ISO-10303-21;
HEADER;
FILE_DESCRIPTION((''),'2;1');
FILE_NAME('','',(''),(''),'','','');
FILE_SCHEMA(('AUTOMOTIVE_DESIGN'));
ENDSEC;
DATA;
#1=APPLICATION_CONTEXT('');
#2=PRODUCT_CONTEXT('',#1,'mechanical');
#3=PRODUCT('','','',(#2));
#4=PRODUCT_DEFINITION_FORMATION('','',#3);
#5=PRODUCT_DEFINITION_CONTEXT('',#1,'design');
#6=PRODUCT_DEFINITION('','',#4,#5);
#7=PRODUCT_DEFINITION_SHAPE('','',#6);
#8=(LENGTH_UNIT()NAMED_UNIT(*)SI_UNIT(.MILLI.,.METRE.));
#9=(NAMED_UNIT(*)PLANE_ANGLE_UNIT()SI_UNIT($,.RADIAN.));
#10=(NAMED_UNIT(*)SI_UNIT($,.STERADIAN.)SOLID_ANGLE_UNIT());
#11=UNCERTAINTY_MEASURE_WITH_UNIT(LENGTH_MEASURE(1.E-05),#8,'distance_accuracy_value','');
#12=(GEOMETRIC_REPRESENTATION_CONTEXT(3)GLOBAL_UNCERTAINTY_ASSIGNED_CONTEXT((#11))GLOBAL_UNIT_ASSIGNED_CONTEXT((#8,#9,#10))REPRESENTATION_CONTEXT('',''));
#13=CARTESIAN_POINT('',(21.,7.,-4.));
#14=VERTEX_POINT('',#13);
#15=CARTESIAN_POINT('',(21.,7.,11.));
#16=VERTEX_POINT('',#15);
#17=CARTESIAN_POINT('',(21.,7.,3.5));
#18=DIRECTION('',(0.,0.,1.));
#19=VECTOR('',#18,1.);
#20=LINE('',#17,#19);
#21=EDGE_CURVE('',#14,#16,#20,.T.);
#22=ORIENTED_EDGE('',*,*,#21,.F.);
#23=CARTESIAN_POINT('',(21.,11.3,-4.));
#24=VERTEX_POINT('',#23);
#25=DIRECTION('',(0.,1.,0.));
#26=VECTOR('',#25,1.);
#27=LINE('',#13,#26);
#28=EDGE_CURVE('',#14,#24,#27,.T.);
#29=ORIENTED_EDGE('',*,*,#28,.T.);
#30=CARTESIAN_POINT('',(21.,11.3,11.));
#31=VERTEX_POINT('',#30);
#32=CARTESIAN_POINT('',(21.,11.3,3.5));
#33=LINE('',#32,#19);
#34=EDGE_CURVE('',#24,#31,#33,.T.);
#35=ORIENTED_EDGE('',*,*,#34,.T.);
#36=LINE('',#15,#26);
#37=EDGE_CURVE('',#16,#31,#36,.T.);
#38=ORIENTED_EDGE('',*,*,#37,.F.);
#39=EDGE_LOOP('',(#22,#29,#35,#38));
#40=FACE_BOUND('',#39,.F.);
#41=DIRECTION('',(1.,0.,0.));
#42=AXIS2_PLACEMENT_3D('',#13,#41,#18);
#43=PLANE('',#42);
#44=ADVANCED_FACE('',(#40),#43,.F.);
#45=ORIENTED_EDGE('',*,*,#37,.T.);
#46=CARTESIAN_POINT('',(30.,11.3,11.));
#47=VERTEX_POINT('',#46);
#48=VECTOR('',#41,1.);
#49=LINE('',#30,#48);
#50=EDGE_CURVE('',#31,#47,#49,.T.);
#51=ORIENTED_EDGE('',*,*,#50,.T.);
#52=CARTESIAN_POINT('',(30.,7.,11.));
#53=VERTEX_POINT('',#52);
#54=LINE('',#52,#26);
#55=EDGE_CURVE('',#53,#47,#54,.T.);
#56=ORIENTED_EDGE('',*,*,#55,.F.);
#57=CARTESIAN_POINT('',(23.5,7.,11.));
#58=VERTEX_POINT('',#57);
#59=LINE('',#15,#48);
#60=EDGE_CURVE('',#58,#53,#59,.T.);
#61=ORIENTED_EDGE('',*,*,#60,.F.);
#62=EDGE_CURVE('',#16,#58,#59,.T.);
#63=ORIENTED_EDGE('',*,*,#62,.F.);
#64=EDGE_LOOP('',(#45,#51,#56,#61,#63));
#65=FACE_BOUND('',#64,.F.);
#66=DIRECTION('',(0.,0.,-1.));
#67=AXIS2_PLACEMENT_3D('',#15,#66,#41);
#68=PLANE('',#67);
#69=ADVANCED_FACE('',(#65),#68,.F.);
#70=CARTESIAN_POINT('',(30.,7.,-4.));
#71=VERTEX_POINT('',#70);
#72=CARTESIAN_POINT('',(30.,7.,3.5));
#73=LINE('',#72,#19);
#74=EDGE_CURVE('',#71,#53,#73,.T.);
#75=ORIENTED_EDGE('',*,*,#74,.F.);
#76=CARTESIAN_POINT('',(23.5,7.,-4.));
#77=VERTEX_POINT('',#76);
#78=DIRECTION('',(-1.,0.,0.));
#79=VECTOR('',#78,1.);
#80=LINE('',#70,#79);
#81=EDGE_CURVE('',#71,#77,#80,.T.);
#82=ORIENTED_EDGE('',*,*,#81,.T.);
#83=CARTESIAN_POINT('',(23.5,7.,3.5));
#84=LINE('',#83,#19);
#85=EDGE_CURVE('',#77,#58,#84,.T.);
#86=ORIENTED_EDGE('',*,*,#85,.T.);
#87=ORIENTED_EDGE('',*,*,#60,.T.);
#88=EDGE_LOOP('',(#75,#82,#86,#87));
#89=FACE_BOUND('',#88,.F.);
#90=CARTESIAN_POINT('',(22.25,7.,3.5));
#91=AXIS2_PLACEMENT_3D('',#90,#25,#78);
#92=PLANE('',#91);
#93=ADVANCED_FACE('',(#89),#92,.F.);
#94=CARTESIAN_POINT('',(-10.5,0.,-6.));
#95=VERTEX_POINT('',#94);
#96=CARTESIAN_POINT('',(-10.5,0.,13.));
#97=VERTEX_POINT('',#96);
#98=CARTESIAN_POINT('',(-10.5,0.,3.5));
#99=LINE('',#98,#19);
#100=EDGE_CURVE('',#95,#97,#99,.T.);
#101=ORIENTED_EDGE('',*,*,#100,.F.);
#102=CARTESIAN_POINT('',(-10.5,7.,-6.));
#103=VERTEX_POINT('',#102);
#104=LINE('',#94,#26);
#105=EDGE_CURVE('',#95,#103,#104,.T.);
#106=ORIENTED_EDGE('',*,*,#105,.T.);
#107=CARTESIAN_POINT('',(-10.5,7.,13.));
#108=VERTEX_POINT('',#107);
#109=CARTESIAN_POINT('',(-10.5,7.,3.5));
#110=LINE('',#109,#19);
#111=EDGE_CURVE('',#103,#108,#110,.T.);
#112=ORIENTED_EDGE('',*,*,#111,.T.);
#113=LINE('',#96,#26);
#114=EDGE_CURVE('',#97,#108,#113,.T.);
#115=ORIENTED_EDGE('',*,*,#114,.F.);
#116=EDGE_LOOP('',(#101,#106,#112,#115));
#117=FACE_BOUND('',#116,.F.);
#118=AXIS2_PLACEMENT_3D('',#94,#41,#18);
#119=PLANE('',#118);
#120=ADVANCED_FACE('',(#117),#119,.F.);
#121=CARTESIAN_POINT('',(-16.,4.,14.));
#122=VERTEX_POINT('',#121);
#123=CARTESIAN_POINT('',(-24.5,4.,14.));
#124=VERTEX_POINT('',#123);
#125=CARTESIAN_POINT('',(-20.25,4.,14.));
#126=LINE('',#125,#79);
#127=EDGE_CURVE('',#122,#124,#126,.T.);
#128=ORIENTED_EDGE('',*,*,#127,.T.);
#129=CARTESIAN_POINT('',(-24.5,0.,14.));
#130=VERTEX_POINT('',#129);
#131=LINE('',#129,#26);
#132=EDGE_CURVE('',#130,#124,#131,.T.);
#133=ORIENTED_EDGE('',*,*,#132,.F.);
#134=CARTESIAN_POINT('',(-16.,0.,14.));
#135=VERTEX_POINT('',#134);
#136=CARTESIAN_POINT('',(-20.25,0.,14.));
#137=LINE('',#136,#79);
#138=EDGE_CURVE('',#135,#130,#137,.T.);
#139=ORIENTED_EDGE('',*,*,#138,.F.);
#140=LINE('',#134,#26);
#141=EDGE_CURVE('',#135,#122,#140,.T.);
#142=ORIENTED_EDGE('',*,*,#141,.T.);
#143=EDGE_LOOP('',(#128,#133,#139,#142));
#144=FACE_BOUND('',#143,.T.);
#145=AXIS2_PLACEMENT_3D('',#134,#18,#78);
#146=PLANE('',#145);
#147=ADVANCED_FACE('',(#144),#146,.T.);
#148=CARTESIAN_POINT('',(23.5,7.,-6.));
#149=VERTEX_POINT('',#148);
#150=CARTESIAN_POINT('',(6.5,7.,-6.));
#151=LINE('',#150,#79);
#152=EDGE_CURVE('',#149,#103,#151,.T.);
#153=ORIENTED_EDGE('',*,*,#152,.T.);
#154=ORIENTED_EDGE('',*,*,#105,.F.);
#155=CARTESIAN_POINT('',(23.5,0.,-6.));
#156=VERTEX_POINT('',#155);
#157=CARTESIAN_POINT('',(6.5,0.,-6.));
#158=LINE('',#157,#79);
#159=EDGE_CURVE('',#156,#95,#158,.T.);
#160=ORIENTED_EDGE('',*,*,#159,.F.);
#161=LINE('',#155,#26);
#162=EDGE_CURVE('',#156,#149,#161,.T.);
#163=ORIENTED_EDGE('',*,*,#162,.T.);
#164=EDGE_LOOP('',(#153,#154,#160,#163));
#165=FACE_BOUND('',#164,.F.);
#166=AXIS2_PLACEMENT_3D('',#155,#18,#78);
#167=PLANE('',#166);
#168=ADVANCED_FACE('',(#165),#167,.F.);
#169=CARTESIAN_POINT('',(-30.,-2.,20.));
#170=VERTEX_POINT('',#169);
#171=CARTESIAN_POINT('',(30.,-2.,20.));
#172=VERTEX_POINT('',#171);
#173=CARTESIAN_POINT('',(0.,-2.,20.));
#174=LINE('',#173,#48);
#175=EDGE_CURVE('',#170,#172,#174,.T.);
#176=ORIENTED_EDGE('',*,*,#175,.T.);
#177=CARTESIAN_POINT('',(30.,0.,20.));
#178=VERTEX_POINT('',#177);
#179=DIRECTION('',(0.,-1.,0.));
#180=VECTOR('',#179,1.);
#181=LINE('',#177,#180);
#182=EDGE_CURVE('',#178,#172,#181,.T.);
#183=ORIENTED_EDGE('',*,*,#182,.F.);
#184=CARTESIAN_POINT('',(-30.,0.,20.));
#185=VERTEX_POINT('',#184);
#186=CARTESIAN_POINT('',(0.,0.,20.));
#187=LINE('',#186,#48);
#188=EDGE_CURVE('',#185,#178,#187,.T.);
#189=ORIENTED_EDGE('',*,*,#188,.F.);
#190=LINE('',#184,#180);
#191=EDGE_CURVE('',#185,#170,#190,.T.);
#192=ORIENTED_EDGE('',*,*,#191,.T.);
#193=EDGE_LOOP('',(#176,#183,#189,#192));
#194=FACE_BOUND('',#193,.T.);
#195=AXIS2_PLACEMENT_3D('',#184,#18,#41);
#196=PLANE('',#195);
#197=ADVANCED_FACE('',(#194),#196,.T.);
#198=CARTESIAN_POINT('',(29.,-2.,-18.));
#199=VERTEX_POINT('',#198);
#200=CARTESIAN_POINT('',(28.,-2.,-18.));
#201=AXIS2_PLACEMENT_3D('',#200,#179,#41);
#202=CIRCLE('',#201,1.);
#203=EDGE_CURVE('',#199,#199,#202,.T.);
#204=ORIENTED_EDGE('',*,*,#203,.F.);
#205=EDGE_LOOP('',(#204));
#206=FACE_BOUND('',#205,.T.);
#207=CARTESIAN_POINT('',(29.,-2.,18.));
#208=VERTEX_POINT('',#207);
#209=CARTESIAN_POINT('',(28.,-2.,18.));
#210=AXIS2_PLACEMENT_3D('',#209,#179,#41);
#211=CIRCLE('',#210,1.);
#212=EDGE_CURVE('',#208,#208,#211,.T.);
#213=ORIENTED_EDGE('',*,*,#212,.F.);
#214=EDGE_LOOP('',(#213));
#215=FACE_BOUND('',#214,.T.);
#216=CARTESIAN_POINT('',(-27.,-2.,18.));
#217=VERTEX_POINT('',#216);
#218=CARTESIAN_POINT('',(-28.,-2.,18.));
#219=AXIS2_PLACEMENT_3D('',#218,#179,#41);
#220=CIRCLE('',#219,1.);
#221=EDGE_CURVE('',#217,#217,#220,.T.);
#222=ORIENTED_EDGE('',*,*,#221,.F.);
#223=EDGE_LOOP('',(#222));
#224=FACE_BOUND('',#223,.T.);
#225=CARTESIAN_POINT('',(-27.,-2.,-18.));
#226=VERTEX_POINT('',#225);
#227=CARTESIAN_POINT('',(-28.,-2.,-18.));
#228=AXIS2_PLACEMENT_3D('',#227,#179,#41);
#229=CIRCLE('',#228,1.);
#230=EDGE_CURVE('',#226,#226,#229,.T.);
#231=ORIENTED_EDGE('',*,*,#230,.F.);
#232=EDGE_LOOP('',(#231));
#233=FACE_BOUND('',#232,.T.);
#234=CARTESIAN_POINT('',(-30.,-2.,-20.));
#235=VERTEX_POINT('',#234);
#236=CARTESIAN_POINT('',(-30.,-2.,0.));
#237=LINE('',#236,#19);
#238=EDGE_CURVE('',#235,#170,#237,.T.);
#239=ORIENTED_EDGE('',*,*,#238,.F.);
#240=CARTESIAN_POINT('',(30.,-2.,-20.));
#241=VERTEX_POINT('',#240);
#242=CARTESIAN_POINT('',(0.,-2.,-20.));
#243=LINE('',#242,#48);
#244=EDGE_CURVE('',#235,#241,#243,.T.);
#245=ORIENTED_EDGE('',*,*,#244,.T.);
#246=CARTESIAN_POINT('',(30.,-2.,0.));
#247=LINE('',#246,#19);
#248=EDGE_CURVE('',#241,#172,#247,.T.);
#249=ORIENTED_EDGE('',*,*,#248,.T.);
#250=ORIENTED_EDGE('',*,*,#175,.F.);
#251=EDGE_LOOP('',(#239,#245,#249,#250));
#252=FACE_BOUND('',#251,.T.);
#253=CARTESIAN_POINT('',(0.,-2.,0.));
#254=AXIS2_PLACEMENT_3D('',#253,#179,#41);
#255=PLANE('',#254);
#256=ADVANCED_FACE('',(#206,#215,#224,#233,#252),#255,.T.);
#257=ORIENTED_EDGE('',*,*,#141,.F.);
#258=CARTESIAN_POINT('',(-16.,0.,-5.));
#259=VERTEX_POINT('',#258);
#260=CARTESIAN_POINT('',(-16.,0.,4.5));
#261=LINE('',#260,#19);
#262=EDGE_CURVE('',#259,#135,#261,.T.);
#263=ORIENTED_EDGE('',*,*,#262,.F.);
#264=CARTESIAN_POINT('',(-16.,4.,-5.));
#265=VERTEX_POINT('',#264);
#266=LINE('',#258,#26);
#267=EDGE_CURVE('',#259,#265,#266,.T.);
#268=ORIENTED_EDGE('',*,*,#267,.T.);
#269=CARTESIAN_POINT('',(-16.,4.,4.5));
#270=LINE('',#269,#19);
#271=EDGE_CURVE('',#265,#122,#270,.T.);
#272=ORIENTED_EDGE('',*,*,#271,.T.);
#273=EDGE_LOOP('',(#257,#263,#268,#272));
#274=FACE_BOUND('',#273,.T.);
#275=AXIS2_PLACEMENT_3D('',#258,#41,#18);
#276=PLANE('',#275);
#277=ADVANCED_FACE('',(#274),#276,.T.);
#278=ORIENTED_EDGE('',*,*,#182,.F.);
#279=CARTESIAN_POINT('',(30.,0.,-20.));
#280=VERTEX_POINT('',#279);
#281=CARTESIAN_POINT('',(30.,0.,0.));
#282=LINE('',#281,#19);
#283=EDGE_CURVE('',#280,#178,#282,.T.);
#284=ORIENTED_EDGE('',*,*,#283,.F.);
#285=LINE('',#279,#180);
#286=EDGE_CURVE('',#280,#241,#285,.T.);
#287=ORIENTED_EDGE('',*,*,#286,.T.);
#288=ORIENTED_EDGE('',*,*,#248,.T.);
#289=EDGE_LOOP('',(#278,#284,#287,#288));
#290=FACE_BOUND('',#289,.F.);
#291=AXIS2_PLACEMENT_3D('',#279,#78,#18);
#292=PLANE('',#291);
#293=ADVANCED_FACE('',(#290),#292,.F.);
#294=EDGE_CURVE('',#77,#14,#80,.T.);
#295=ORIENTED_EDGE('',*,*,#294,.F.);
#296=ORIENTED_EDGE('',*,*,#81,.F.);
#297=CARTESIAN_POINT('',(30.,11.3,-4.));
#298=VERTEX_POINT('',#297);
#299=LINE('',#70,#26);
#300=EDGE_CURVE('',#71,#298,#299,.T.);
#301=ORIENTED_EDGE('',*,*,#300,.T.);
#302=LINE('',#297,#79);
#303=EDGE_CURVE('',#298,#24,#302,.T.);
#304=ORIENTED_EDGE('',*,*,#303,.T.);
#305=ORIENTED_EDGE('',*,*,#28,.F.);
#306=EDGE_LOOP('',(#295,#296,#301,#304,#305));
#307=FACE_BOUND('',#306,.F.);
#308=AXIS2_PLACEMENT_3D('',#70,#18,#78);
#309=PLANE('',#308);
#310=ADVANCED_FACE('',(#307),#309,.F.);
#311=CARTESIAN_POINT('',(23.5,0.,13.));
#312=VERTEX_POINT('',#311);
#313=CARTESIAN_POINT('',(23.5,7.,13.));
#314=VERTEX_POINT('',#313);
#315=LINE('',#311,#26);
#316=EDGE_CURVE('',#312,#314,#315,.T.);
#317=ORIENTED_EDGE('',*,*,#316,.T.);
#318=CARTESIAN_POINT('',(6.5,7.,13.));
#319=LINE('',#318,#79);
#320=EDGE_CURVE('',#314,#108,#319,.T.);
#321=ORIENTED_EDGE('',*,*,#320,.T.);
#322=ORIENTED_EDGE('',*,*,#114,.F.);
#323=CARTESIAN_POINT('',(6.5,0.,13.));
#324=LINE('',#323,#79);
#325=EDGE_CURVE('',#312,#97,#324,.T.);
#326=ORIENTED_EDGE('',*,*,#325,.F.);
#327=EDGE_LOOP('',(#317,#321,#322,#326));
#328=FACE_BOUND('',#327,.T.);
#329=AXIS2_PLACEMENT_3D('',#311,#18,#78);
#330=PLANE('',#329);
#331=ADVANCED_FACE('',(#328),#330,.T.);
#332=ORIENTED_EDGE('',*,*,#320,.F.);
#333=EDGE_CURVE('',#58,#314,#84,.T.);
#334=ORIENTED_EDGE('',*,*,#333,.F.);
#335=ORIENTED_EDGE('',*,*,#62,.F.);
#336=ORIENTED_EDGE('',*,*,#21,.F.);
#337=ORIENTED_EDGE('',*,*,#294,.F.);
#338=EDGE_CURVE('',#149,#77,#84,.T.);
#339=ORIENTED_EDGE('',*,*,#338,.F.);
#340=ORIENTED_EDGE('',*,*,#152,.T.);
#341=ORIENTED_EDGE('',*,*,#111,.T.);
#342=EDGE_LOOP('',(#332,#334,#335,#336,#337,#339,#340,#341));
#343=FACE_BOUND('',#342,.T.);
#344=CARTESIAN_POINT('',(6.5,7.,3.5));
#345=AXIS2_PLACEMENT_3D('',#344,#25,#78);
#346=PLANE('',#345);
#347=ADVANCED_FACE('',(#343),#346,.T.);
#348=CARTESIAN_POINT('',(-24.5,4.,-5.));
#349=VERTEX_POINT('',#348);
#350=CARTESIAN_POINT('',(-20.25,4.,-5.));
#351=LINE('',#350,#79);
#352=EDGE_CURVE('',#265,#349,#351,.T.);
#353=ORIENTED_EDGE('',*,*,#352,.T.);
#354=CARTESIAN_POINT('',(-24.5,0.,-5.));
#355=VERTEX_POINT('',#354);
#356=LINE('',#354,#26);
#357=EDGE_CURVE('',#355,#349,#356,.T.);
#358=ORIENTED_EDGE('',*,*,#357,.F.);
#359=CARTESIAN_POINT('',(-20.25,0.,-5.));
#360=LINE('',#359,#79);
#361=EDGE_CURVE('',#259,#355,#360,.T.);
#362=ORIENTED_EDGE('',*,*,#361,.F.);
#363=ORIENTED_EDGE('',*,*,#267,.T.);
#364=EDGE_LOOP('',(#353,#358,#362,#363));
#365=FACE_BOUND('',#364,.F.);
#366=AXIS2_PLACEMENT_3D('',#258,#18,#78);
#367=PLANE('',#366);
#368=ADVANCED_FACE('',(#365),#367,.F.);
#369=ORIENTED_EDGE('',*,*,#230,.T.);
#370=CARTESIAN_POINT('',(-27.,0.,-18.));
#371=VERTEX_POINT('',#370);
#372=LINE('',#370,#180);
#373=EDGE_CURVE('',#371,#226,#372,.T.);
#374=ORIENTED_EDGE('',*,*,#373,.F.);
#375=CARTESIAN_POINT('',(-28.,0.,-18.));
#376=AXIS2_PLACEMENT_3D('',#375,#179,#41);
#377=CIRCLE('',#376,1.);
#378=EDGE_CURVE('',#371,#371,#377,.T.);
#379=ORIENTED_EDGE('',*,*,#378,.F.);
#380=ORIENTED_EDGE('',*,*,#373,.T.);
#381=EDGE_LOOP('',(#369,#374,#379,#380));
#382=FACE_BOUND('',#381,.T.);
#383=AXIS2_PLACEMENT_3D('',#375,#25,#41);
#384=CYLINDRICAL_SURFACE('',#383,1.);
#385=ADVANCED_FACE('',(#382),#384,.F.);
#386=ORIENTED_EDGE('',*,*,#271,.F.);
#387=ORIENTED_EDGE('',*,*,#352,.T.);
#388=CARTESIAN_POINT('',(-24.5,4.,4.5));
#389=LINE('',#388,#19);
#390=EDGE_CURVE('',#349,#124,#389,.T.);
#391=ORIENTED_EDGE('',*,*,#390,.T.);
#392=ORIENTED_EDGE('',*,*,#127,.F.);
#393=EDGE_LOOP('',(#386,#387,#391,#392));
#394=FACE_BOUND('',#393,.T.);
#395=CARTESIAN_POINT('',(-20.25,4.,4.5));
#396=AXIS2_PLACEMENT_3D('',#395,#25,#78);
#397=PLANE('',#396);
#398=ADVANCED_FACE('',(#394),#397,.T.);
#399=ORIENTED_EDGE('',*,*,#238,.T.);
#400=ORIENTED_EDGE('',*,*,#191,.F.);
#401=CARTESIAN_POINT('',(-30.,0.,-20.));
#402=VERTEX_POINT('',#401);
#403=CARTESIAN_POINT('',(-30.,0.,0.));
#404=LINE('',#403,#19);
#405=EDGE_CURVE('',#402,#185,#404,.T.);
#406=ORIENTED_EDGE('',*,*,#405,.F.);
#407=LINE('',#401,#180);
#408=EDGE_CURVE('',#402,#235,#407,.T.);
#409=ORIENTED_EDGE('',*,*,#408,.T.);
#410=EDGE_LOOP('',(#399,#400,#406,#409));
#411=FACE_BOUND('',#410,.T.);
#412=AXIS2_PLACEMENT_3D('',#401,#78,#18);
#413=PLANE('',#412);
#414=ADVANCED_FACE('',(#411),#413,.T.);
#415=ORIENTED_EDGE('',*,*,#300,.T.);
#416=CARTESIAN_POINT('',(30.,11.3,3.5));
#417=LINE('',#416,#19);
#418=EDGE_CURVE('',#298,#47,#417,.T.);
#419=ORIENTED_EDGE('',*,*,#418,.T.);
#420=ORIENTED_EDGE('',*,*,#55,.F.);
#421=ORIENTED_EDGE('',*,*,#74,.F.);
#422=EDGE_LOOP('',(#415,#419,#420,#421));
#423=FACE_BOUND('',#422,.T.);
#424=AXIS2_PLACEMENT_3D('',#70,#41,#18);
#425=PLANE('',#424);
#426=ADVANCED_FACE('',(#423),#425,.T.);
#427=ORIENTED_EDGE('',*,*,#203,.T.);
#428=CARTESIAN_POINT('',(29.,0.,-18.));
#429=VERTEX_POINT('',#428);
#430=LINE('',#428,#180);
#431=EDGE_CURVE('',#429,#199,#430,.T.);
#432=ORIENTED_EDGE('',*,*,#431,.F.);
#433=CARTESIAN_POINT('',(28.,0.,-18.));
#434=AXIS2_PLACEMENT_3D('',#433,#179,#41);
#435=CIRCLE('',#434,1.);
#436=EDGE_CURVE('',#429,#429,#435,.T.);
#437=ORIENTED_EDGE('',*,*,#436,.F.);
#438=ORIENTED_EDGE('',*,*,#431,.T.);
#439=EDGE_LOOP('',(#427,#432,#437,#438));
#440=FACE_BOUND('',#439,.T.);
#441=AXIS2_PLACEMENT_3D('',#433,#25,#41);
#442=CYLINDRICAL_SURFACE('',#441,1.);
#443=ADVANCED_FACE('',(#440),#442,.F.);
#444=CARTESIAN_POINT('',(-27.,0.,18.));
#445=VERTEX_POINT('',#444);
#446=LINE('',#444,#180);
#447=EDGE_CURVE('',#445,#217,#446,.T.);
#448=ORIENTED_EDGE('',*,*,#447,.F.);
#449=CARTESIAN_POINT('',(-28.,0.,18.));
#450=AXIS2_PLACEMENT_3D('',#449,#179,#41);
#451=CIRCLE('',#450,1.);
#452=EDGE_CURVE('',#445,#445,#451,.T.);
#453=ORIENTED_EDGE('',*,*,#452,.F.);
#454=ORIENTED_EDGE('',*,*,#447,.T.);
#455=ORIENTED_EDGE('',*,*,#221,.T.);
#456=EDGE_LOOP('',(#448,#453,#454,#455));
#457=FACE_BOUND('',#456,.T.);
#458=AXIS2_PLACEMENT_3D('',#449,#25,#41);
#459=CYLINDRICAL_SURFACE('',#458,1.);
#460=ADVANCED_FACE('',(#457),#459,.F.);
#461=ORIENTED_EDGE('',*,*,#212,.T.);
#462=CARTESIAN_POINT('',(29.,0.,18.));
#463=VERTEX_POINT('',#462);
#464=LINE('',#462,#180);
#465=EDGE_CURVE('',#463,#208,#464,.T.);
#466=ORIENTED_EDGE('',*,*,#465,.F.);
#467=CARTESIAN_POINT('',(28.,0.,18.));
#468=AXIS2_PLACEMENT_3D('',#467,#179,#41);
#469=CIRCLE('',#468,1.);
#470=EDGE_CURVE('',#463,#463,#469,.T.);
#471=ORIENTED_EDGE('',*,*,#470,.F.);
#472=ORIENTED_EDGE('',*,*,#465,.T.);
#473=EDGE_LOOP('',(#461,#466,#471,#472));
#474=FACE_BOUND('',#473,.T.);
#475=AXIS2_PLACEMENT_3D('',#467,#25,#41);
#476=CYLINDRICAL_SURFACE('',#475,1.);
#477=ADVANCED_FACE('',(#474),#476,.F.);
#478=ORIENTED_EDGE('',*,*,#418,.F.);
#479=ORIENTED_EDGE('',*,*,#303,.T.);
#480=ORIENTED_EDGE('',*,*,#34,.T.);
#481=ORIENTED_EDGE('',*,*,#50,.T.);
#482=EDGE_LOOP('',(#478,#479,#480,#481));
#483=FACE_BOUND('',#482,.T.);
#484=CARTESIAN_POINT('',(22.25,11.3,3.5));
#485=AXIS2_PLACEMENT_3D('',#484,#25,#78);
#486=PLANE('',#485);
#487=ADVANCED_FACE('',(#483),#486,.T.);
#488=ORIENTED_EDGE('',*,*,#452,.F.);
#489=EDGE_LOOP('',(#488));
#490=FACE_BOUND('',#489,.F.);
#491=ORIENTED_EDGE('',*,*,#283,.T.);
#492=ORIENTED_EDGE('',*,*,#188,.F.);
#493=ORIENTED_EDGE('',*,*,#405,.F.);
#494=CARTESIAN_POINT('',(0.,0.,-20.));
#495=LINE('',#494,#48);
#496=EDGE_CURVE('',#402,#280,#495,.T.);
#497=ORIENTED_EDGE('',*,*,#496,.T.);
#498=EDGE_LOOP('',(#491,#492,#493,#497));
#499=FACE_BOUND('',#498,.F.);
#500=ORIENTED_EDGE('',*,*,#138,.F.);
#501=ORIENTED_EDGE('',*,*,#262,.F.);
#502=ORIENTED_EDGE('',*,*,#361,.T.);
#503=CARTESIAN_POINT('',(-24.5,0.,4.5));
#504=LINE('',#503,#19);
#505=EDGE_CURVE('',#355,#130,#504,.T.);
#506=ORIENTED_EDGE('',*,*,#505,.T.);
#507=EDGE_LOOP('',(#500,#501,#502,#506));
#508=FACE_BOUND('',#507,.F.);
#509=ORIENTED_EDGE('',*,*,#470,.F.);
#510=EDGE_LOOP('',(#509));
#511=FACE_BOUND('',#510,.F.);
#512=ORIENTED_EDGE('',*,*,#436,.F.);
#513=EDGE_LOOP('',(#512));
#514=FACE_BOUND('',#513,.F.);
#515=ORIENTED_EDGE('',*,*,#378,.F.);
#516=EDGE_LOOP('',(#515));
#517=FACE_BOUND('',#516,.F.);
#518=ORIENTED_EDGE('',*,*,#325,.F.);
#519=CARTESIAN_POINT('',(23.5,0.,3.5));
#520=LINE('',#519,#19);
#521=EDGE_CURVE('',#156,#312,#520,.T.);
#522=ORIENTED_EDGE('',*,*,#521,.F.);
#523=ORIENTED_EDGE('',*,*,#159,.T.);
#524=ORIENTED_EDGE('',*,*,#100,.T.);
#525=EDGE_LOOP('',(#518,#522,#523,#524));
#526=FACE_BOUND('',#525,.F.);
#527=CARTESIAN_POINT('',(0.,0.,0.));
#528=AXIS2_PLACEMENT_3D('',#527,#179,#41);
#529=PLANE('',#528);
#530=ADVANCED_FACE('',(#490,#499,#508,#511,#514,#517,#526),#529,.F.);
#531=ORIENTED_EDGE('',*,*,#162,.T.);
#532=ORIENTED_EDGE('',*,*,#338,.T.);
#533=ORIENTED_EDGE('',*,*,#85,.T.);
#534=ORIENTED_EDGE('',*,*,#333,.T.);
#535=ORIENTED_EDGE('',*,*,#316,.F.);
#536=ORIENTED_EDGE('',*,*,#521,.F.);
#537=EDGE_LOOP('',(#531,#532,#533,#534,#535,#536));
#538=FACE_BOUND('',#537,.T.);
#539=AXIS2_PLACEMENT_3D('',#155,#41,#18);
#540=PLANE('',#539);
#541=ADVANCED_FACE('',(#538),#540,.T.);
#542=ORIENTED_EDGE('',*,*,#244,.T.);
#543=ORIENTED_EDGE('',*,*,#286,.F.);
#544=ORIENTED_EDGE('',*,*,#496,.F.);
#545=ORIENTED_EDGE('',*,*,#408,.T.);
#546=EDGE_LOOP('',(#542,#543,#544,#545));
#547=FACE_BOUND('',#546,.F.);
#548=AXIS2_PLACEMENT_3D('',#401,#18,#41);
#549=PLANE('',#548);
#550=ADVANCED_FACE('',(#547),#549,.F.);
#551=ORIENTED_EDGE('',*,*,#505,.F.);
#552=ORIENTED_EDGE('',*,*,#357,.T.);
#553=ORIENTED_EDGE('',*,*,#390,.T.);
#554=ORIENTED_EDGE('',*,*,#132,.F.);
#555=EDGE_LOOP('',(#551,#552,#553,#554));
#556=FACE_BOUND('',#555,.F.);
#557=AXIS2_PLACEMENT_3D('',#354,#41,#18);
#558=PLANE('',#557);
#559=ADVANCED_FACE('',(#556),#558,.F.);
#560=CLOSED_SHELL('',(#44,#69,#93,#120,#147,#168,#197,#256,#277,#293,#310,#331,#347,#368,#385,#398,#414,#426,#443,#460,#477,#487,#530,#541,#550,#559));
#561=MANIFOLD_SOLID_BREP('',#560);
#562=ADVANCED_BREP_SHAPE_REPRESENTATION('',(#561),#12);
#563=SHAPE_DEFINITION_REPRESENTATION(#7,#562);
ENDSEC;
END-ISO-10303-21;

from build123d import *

# Parameters (mm, degrees)
F0_W     = 60
F0_H     = 40
F0_R     = 1
F1_DEPTH = 2
F2_W     = 8.5
F2_H     = 19
F3_DEPTH = 4
F4_W     = 34
F4_H     = 19
F5_DEPTH = 7
F6_W     = 2.5
F6_H     = 15
F6_W_2   = 6.5
F7_DEPTH = 4.3


with BuildPart() as f1:
    # F0 (on Front) → F1 (new body)
    with BuildSketch(Plane.XZ):
        Rectangle(F0_W, F0_H)
        with Locations((-28, -18)):
            Circle(F0_R, mode=Mode.SUBTRACT)
        with Locations((28, -18)):
            Circle(F0_R, mode=Mode.SUBTRACT)
        with Locations((-28, 18)):
            Circle(F0_R, mode=Mode.SUBTRACT)
        with Locations((28, 18)):
            Circle(F0_R, mode=Mode.SUBTRACT)
    extrude(amount=F1_DEPTH)

    # F2 (on face) → F3 (join)
    with BuildSketch(Plane(origin=(0, 0, 0), x_dir=(-1, 0, 0), z_dir=(0, 1, 0))):
        with Locations((20.25, 4.5)):
            Rectangle(F2_W, F2_H)
    extrude(amount=F3_DEPTH)

    # F4 (on face) → F5 (join)
    with BuildSketch(Plane(origin=(0, 0, 0), x_dir=(-1, 0, 0), z_dir=(0, 1, 0))):
        with Locations((-6.5, 3.5)):
            Rectangle(F4_W, F4_H)
    extrude(amount=F5_DEPTH)

    # F6 (on face) → F7 (join)
    with BuildSketch(Plane(origin=(0, 7, 0), x_dir=(-1, 0, 0), z_dir=(0, 1, 0))):
        with Locations((-22.25, 3.5)):
            Rectangle(F6_W, F6_H)
        with Locations((-26.75, 3.5)):
            Rectangle(F6_W_2, F6_H)
    extrude(amount=F7_DEPTH)


solid = f1.part
